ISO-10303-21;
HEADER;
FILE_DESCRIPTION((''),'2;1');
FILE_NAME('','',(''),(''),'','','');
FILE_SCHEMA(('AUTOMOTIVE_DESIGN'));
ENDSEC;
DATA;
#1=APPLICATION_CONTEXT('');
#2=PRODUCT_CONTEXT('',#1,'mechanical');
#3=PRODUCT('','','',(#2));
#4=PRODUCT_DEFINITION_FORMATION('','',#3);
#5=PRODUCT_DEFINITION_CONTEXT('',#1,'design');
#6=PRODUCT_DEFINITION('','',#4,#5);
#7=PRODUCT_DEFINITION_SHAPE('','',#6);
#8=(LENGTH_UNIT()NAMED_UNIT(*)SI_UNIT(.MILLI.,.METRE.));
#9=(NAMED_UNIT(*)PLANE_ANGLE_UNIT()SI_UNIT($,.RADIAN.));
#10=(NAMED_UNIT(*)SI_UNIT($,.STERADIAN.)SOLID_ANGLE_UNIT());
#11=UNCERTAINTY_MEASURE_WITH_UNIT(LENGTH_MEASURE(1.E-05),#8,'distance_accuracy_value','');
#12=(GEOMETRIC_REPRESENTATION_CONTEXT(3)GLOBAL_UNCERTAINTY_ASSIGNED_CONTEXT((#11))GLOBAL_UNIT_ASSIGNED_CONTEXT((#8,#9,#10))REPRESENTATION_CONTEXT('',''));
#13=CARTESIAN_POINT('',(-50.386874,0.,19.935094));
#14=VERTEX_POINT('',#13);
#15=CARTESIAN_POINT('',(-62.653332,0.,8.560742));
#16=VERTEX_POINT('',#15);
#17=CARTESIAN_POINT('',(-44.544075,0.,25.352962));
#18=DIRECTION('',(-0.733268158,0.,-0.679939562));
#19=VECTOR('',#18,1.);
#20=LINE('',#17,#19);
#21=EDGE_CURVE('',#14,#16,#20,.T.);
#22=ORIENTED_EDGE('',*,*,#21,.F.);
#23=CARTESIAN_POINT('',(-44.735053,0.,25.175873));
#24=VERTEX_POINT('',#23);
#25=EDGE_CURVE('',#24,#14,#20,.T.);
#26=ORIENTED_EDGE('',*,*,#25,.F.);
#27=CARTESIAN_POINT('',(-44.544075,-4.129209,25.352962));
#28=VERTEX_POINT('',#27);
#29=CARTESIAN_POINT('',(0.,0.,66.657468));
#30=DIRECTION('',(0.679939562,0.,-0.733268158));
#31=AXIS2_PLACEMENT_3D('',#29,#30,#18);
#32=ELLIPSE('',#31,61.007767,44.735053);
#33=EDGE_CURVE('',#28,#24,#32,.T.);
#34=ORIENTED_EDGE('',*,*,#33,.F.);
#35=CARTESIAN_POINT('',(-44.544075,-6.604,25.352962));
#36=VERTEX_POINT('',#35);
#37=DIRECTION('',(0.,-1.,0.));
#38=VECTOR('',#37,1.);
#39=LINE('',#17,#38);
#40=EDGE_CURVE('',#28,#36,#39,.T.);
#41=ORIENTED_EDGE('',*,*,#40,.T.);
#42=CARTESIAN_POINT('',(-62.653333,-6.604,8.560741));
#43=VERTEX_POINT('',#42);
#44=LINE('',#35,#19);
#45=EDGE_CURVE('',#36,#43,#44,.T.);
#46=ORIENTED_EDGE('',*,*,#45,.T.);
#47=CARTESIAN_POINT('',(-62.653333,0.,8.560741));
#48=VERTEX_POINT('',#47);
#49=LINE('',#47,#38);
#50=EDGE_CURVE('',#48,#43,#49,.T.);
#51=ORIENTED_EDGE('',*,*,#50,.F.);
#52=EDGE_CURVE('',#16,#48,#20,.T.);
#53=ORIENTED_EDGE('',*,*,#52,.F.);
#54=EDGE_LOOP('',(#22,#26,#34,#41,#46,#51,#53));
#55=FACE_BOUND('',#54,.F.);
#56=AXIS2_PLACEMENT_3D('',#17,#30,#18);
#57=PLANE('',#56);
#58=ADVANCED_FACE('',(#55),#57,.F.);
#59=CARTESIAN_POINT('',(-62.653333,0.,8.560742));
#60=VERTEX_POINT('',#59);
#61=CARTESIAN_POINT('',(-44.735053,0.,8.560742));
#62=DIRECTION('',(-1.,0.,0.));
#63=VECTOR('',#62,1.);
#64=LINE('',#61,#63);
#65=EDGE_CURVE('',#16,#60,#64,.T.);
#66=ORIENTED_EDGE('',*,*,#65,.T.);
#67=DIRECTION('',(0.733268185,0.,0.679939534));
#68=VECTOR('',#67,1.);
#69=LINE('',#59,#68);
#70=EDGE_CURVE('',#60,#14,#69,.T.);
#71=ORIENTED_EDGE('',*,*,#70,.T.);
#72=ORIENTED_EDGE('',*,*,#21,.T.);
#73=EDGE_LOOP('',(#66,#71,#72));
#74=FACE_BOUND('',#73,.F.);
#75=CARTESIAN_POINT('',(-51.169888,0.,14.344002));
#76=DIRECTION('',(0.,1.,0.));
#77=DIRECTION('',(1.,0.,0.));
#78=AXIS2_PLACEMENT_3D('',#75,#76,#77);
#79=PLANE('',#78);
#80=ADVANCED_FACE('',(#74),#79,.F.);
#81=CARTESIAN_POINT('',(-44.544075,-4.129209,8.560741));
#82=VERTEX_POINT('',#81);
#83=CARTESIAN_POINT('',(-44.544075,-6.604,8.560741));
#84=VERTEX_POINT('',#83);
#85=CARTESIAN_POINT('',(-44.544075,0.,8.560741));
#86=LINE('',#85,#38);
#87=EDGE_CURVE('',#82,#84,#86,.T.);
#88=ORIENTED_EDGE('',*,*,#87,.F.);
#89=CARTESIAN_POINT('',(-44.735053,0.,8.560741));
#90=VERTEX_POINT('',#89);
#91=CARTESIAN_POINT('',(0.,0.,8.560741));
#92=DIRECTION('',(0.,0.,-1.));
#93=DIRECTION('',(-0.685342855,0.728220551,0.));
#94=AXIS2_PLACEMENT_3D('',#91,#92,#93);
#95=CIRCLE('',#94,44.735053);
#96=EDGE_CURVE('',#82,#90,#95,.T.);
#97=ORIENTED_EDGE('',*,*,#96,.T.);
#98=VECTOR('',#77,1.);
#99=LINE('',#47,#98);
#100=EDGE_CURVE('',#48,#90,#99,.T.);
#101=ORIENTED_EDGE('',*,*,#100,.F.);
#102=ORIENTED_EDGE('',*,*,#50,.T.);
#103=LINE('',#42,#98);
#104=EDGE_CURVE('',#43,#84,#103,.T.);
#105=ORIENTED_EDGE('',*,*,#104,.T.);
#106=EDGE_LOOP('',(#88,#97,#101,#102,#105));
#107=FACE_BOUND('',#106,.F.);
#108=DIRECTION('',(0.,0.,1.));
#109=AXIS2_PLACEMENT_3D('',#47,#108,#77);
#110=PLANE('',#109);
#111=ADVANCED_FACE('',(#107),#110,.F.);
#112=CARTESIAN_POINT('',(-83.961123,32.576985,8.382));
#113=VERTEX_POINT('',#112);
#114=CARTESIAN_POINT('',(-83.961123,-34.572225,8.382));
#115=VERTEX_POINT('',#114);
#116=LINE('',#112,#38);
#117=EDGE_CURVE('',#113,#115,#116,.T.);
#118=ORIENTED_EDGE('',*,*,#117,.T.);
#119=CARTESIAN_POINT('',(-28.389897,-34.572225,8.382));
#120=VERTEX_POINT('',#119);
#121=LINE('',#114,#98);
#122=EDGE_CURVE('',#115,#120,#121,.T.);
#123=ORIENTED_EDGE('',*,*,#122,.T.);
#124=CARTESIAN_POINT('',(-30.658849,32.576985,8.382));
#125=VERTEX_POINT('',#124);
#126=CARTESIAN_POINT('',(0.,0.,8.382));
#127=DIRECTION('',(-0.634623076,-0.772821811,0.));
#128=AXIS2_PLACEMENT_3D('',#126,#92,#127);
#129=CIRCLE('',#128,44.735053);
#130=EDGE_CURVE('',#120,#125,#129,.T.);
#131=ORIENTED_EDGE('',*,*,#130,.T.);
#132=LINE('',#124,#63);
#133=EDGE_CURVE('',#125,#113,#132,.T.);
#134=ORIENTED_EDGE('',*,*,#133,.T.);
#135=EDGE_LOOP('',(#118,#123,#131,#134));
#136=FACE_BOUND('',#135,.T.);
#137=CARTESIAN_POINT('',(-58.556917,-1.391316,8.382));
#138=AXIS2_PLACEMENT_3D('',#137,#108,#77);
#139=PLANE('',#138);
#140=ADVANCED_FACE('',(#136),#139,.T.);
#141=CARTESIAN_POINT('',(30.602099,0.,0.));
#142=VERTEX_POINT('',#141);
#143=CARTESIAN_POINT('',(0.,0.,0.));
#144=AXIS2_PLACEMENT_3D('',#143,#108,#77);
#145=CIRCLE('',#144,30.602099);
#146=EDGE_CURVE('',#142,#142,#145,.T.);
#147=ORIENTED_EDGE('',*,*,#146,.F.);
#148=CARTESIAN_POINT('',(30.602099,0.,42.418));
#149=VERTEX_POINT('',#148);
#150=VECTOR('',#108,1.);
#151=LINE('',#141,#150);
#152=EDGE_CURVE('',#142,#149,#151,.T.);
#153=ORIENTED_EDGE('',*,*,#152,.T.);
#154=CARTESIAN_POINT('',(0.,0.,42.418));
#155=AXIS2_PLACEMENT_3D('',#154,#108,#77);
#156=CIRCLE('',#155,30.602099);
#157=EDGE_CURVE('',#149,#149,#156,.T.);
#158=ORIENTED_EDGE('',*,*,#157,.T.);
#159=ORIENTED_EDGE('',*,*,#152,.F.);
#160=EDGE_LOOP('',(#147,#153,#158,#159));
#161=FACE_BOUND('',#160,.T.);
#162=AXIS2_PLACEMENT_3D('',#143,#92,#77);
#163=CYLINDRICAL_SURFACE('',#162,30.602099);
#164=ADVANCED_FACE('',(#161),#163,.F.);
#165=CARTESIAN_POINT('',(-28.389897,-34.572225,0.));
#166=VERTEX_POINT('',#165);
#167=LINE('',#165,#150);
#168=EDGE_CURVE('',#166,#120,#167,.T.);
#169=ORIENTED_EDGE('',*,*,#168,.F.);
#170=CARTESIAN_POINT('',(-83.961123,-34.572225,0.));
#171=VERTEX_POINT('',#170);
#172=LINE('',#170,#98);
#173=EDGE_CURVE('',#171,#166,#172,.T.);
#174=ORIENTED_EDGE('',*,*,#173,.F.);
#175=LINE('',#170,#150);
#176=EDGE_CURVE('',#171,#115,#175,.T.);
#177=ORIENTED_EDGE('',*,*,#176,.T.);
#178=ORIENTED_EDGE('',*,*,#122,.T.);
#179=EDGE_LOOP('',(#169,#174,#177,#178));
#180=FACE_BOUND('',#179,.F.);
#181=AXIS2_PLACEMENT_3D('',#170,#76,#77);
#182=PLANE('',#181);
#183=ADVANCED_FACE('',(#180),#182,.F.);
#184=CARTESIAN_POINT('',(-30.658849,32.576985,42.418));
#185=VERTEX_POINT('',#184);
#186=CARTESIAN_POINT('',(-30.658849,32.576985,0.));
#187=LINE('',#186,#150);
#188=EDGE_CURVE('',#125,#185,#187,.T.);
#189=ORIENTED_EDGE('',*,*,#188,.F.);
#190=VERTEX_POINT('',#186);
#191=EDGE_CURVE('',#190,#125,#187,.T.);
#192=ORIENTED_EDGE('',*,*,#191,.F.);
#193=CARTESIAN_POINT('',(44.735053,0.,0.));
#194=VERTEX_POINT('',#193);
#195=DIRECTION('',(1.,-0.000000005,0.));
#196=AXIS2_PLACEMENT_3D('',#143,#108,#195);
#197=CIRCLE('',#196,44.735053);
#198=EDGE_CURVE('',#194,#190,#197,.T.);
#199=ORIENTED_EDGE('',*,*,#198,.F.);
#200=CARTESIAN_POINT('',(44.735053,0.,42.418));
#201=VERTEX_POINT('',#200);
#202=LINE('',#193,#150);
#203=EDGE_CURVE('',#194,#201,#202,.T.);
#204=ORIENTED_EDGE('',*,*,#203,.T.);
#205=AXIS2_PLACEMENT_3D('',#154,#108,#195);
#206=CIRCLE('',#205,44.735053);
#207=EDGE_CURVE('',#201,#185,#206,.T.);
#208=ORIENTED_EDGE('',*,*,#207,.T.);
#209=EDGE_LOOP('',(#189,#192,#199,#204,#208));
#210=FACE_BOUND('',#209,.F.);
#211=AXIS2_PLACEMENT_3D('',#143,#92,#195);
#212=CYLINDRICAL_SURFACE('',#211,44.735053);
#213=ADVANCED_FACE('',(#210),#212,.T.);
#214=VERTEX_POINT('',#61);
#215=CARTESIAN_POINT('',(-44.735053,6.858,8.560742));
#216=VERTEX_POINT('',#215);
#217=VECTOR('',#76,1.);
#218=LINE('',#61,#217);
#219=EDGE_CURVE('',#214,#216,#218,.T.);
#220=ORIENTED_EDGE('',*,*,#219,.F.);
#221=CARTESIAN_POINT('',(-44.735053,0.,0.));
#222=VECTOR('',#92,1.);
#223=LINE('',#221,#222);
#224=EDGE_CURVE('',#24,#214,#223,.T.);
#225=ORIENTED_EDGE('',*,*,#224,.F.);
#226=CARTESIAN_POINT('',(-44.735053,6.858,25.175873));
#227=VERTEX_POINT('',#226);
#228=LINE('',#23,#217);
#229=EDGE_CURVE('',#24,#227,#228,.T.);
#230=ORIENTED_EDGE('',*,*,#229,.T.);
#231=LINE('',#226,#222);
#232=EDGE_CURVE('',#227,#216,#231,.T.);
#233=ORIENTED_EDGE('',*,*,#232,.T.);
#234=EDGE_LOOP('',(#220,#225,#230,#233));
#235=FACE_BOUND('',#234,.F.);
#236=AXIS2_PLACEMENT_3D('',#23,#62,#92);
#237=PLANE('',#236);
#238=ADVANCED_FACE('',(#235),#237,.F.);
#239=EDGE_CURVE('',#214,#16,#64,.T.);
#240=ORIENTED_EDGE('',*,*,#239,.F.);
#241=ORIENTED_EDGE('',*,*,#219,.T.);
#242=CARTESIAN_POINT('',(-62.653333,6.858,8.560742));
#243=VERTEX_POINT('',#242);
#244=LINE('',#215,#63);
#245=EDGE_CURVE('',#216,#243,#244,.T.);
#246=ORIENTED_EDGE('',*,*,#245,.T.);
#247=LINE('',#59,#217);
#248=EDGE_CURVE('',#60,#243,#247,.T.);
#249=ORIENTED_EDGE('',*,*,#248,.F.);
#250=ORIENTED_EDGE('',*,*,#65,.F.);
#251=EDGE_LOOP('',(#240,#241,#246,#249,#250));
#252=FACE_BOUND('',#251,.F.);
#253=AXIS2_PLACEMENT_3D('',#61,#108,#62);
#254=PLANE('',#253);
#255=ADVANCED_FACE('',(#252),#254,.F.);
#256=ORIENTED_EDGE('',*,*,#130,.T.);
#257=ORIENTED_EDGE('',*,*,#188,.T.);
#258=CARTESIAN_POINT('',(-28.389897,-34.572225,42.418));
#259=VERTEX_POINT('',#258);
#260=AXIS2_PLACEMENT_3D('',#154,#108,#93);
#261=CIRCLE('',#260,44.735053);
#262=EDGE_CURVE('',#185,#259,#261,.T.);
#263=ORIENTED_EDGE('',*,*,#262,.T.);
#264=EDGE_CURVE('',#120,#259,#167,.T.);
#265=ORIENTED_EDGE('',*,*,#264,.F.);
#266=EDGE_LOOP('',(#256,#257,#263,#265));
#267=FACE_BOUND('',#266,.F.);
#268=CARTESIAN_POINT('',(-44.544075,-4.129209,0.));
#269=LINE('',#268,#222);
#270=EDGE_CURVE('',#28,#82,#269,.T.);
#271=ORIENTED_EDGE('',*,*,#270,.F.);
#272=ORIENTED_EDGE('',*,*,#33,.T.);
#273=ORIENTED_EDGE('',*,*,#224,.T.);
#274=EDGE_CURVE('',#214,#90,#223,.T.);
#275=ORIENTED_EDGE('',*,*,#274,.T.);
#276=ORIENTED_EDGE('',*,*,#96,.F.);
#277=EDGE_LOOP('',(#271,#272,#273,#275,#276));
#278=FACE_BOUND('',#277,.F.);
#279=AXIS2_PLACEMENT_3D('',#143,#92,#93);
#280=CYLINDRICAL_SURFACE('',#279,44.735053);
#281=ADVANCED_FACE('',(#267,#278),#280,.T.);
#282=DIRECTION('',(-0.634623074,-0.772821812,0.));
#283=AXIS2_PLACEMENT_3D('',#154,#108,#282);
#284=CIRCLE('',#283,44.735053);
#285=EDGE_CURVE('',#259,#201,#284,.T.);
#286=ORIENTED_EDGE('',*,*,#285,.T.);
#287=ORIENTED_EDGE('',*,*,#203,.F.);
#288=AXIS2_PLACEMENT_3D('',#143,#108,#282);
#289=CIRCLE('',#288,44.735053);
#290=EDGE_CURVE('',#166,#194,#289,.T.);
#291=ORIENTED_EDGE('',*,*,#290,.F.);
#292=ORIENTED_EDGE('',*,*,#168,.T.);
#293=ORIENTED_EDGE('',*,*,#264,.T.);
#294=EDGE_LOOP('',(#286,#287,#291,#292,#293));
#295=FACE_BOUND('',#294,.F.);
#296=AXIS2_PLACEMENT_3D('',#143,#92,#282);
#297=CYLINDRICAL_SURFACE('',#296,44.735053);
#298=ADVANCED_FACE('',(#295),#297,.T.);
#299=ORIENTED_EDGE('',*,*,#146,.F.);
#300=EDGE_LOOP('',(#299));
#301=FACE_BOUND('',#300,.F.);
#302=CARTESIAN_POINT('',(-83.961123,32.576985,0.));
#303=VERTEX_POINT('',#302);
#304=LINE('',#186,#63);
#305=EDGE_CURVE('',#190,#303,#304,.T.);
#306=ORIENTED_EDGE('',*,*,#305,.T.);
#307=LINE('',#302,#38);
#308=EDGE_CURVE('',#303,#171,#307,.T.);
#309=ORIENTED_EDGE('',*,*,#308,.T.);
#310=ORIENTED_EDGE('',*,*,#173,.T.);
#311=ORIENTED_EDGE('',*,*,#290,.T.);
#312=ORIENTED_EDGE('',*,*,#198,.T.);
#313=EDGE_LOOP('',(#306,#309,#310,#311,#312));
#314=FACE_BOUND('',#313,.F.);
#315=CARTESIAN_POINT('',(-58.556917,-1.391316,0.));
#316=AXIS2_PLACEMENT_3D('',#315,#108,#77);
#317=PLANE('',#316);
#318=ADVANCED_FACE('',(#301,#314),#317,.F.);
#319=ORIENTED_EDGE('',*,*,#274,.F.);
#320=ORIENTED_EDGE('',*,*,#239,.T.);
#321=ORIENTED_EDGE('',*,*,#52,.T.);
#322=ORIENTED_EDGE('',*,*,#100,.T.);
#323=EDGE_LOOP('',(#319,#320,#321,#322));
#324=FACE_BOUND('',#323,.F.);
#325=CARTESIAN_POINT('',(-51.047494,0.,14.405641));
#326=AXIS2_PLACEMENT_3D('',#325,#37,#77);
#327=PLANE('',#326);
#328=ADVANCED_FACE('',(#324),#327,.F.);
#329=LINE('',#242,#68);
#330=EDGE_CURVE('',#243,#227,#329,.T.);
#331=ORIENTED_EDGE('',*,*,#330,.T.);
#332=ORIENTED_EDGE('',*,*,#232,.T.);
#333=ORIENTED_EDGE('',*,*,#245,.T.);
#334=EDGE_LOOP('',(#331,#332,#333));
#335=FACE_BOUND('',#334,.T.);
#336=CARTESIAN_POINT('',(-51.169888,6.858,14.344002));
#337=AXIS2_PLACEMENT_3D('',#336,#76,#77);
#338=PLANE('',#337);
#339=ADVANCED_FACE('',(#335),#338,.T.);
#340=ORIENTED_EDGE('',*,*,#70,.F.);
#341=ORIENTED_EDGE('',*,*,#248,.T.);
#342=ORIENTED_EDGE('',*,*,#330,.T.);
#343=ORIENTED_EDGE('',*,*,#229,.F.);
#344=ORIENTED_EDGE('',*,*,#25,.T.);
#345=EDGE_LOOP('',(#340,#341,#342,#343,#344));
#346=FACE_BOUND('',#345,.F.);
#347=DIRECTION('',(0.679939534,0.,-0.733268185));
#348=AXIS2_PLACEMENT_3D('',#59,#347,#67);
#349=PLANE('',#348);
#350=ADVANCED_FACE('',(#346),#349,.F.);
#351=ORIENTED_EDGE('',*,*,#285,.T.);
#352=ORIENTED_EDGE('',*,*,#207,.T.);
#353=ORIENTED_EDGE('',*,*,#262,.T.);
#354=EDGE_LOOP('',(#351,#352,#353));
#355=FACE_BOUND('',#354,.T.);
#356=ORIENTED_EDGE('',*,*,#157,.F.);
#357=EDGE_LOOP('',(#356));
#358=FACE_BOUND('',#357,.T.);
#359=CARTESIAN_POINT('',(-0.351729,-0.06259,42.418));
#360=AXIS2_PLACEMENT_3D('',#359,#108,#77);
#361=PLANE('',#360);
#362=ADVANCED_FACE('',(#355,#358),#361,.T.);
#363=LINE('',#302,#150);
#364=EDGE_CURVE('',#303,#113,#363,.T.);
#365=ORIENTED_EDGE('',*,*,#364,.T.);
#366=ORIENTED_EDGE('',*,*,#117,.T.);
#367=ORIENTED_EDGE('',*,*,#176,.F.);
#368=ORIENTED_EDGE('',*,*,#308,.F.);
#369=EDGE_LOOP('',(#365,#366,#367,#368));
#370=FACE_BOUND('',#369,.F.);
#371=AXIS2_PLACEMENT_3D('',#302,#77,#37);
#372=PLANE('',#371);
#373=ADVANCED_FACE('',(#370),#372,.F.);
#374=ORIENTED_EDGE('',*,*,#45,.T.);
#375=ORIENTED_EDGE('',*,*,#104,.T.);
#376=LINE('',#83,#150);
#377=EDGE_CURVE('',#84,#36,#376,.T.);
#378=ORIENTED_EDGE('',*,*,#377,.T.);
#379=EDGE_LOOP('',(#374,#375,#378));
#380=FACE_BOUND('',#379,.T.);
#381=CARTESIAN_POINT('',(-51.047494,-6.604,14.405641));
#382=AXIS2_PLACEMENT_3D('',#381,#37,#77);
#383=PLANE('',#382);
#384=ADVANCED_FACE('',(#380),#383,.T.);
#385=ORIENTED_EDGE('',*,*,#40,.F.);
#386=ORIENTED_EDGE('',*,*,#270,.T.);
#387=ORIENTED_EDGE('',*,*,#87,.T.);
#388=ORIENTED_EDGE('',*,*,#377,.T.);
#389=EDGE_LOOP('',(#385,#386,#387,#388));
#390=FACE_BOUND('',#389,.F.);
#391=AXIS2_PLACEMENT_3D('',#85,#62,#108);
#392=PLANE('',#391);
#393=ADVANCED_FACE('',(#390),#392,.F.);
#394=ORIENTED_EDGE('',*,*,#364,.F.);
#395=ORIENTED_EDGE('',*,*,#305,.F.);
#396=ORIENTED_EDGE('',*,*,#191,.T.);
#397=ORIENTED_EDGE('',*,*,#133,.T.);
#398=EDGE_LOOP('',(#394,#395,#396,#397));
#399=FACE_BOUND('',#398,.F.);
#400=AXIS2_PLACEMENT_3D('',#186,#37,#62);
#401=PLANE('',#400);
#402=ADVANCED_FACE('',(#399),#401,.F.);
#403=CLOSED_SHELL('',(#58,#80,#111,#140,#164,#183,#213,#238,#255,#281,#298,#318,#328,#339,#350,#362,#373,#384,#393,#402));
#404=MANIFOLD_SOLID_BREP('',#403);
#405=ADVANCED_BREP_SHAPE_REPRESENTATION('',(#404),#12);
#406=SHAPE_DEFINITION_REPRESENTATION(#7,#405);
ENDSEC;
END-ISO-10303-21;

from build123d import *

# Parameters (mm, degrees)
F0_R     = 30.602099
F1_DEPTH = 42.418
F2_DEPTH = 8.382
F4_DEPTH = 6.604
F5_DEPTH = 6.858


with BuildPart() as f1:
    # F0 (on Top) → F1 (new body)
    with BuildSketch(Plane.XY):
        with BuildLine():
            ThreePointArc((-28.389897, -34.572225), (19.120688, -40.442852), (44.735053, 0))
            ThreePointArc((44.735053, 0), (17.744009, 41.065498), (-30.658849, 32.576985))
            ThreePointArc((-30.658849, 32.576985), (-44.709537, -1.510722), (-28.389897, -34.572225))
        make_face()
        Circle(F0_R, mode=Mode.SUBTRACT)
    extrude(amount=F1_DEPTH)

    # F0 (on Top) → F2 (join)
    with BuildSketch(Plane.XY):
        with BuildLine():
            ThreePointArc((-28.389897, -34.572225), (-44.709537, -1.510722), (-30.658849, 32.576985))
            Line((-30.658849, 32.576985), (-83.961123, 32.576985))
            Line((-83.961123, 32.576985), (-83.961123, -34.572225))
            Line((-83.961123, -34.572225), (-28.389897, -34.572225))
        make_face()
    extrude(amount=F2_DEPTH)

    # F3 (on Front) → F4 (join)
    with BuildSketch(Plane.XZ):
        Polygon((-44.544075, 8.560741), (-44.544075, 25.352962), (-62.653333, 8.560741), align=None)
    extrude(amount=F4_DEPTH)

    # F4_face (on face) → F5 (join)
    with BuildSketch(Plane(origin=(-50.707813, 0, 14.099119), x_dir=(1, 0, 0), z_dir=(0, 1, 0))):
        Polygon((-11.94552, 5.538377), (5.97276, -11.076754), (5.97276, 5.538377), align=None)
    extrude(amount=F5_DEPTH)


solid = f1.part
